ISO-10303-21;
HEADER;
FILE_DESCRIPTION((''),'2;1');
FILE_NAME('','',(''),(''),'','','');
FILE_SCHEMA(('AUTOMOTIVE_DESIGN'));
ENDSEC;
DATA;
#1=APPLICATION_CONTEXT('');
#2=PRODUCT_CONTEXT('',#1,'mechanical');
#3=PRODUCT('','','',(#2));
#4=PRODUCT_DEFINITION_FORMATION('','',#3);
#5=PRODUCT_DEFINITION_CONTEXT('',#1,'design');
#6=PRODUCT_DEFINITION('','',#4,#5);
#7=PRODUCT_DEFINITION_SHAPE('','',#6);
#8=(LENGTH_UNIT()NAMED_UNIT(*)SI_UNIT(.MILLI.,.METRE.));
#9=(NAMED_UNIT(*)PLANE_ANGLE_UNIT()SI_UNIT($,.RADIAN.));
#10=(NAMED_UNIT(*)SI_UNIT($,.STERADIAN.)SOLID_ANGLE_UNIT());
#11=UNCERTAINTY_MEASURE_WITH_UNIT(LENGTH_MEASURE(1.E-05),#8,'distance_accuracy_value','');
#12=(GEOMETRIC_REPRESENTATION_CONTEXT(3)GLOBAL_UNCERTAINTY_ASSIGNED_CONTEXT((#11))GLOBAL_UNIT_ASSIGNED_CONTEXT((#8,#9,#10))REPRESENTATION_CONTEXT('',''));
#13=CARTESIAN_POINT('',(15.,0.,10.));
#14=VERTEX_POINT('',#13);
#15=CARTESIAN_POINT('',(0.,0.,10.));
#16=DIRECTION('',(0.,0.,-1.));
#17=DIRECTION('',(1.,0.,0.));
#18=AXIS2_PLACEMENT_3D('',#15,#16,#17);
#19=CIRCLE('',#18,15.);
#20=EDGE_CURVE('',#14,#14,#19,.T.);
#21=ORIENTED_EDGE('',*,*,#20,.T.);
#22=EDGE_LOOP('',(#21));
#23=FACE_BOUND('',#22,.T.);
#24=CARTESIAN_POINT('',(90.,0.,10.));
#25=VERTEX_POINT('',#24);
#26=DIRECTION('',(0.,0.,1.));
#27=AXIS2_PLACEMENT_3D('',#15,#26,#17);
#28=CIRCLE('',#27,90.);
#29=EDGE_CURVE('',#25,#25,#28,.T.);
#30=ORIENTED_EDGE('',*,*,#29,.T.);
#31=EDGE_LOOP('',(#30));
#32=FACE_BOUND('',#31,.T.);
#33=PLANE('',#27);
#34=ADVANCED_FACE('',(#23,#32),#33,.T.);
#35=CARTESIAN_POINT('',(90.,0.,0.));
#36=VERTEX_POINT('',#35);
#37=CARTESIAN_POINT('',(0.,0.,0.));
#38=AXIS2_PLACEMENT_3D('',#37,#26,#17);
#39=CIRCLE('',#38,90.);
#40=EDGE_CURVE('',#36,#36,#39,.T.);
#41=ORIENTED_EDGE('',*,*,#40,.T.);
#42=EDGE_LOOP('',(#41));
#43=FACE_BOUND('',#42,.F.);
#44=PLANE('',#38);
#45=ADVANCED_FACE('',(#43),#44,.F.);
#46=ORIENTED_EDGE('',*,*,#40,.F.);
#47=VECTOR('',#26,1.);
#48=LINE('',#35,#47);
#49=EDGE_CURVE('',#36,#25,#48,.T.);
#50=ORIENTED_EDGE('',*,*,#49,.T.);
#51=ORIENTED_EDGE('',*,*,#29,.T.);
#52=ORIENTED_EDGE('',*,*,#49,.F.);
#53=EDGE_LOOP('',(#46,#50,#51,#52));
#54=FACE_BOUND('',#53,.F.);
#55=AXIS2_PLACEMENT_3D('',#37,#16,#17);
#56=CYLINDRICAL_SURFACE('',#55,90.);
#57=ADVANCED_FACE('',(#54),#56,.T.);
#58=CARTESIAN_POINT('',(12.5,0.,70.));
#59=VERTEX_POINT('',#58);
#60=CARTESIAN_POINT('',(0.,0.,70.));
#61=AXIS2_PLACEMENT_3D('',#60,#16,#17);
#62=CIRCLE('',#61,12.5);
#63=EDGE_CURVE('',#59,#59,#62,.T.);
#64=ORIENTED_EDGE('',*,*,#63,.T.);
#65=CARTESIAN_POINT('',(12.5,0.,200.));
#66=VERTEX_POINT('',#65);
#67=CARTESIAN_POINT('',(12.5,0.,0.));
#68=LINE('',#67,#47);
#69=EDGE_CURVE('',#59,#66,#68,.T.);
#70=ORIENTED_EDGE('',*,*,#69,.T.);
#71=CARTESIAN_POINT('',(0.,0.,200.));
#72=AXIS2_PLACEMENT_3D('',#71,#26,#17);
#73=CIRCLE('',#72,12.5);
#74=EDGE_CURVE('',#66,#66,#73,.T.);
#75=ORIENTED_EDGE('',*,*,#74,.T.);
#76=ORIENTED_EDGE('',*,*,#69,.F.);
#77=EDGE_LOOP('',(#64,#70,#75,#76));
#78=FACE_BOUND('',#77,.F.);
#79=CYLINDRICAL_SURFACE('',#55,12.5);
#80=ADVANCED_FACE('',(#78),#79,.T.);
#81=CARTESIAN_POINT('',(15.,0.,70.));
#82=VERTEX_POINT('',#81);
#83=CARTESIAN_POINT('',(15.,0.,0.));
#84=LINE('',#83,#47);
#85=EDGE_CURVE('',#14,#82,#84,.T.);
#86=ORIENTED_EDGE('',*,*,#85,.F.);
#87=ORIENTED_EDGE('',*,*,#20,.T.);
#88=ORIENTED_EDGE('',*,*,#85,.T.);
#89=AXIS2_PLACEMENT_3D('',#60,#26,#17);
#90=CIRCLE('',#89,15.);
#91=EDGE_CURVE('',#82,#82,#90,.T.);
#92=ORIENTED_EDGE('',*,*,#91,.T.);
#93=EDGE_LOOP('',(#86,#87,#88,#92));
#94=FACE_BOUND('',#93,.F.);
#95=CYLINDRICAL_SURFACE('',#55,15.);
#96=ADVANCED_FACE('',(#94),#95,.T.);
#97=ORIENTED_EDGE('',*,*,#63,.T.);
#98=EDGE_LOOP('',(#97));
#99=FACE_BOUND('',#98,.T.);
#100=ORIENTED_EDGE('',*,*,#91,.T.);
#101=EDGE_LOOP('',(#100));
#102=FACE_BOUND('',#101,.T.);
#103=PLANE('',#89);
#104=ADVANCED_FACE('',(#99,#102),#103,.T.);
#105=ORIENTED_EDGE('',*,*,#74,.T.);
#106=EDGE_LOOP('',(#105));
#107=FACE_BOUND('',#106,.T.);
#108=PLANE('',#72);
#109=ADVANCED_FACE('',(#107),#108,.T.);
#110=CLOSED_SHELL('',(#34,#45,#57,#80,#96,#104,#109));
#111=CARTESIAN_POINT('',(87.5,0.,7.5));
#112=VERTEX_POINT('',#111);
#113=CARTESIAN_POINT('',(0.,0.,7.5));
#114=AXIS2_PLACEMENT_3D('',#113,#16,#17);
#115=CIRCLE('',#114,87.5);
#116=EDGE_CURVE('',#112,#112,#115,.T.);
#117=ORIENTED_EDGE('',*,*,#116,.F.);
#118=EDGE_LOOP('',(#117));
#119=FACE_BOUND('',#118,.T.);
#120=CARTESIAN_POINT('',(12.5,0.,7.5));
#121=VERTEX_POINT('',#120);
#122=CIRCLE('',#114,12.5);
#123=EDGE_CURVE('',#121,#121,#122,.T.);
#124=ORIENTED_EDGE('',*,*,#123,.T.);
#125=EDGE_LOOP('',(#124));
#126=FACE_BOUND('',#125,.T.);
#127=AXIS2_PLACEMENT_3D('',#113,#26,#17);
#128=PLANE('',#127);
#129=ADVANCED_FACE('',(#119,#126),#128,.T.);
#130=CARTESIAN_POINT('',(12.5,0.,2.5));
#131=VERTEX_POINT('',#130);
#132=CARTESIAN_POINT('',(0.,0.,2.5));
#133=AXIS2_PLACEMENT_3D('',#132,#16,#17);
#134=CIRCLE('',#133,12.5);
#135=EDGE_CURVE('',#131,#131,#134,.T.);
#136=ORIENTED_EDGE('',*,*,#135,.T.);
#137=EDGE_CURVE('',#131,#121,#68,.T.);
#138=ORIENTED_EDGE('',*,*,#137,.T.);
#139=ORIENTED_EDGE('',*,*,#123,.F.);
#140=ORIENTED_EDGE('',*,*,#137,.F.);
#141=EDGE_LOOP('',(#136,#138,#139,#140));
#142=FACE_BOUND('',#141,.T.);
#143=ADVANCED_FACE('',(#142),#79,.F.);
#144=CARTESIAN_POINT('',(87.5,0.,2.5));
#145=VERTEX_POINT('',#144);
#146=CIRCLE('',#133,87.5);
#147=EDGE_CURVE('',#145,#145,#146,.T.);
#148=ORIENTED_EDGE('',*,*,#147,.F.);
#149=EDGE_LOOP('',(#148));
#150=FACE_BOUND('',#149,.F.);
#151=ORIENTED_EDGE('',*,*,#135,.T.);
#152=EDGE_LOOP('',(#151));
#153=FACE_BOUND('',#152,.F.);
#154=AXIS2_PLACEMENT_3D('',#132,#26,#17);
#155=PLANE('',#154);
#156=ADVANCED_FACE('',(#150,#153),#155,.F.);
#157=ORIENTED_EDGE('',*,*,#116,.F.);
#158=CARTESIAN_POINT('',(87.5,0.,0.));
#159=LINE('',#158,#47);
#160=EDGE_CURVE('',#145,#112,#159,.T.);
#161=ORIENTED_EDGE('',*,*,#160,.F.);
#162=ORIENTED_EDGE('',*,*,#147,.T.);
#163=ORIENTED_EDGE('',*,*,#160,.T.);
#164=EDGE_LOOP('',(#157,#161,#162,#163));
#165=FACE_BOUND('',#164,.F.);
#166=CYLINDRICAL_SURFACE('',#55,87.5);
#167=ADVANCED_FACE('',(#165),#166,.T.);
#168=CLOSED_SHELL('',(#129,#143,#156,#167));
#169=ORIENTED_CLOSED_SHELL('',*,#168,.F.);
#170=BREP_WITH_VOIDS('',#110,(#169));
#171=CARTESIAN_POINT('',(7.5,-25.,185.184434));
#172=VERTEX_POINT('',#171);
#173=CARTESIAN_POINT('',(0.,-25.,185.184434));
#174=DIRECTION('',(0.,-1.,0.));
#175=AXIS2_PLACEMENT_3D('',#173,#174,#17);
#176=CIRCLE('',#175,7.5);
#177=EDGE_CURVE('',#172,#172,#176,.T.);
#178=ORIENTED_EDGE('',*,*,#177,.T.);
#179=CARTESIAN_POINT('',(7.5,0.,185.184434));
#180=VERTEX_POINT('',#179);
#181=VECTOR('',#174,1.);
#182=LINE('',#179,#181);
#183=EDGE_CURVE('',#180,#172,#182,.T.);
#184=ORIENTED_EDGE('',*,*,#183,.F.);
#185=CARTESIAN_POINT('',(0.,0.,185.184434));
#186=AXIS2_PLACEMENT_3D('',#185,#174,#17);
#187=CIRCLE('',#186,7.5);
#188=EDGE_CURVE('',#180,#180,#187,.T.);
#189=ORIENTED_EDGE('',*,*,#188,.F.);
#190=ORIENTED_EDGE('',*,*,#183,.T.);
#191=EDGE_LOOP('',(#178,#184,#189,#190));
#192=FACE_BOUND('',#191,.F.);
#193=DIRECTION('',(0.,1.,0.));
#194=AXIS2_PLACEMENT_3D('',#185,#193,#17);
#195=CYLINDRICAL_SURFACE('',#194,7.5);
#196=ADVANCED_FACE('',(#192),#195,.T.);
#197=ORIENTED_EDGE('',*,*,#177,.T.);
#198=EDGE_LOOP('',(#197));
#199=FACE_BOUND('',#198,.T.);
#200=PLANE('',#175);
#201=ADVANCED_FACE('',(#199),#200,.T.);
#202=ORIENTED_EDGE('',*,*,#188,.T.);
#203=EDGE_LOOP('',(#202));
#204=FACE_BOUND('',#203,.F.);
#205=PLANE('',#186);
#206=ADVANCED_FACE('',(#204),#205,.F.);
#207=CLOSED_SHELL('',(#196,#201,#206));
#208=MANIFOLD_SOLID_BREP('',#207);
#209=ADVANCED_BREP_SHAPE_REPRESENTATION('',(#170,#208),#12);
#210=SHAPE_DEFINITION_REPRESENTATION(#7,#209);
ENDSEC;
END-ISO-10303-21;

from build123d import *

# Parameters (mm, degrees)
F0_R     = 90
F1_DEPTH = 10
F2_R     = 15
F3_DEPTH = 70
F4_T     = -2.5
F5_R     = 12.5
F6_DEPTH = 200
F7_R     = 7.5
F8_DEPTH = 25


with BuildPart() as f1:
    # F0 (on Top) → F1 (new body)
    with BuildSketch(Plane.XY):
        Circle(F0_R)
    extrude(amount=F1_DEPTH)

    # F2 (on Top) → F3 (join)
    with BuildSketch(Plane.XY):
        Circle(F2_R)
    extrude(amount=F3_DEPTH)

    # F4
    f4_openings = [f1.faces().sort_by_distance(p)[0] for p in [
        (0, 0, 70),
    ]]
    offset(amount=F4_T, openings=f4_openings, kind=Kind.INTERSECTION)

    # F5 (on Top) → F6 (join)
    with BuildSketch(Plane.XY):
        Circle(F5_R)
    extrude(amount=F6_DEPTH)


with BuildPart() as f8:
    # F7 (on Front) → F8 (new body)
    with BuildSketch(Plane.XZ):
        with Locations((0, 185.1844340563)):
            Circle(F7_R)
    extrude(amount=F8_DEPTH)


solid = Compound([f1.part, f8.part])
